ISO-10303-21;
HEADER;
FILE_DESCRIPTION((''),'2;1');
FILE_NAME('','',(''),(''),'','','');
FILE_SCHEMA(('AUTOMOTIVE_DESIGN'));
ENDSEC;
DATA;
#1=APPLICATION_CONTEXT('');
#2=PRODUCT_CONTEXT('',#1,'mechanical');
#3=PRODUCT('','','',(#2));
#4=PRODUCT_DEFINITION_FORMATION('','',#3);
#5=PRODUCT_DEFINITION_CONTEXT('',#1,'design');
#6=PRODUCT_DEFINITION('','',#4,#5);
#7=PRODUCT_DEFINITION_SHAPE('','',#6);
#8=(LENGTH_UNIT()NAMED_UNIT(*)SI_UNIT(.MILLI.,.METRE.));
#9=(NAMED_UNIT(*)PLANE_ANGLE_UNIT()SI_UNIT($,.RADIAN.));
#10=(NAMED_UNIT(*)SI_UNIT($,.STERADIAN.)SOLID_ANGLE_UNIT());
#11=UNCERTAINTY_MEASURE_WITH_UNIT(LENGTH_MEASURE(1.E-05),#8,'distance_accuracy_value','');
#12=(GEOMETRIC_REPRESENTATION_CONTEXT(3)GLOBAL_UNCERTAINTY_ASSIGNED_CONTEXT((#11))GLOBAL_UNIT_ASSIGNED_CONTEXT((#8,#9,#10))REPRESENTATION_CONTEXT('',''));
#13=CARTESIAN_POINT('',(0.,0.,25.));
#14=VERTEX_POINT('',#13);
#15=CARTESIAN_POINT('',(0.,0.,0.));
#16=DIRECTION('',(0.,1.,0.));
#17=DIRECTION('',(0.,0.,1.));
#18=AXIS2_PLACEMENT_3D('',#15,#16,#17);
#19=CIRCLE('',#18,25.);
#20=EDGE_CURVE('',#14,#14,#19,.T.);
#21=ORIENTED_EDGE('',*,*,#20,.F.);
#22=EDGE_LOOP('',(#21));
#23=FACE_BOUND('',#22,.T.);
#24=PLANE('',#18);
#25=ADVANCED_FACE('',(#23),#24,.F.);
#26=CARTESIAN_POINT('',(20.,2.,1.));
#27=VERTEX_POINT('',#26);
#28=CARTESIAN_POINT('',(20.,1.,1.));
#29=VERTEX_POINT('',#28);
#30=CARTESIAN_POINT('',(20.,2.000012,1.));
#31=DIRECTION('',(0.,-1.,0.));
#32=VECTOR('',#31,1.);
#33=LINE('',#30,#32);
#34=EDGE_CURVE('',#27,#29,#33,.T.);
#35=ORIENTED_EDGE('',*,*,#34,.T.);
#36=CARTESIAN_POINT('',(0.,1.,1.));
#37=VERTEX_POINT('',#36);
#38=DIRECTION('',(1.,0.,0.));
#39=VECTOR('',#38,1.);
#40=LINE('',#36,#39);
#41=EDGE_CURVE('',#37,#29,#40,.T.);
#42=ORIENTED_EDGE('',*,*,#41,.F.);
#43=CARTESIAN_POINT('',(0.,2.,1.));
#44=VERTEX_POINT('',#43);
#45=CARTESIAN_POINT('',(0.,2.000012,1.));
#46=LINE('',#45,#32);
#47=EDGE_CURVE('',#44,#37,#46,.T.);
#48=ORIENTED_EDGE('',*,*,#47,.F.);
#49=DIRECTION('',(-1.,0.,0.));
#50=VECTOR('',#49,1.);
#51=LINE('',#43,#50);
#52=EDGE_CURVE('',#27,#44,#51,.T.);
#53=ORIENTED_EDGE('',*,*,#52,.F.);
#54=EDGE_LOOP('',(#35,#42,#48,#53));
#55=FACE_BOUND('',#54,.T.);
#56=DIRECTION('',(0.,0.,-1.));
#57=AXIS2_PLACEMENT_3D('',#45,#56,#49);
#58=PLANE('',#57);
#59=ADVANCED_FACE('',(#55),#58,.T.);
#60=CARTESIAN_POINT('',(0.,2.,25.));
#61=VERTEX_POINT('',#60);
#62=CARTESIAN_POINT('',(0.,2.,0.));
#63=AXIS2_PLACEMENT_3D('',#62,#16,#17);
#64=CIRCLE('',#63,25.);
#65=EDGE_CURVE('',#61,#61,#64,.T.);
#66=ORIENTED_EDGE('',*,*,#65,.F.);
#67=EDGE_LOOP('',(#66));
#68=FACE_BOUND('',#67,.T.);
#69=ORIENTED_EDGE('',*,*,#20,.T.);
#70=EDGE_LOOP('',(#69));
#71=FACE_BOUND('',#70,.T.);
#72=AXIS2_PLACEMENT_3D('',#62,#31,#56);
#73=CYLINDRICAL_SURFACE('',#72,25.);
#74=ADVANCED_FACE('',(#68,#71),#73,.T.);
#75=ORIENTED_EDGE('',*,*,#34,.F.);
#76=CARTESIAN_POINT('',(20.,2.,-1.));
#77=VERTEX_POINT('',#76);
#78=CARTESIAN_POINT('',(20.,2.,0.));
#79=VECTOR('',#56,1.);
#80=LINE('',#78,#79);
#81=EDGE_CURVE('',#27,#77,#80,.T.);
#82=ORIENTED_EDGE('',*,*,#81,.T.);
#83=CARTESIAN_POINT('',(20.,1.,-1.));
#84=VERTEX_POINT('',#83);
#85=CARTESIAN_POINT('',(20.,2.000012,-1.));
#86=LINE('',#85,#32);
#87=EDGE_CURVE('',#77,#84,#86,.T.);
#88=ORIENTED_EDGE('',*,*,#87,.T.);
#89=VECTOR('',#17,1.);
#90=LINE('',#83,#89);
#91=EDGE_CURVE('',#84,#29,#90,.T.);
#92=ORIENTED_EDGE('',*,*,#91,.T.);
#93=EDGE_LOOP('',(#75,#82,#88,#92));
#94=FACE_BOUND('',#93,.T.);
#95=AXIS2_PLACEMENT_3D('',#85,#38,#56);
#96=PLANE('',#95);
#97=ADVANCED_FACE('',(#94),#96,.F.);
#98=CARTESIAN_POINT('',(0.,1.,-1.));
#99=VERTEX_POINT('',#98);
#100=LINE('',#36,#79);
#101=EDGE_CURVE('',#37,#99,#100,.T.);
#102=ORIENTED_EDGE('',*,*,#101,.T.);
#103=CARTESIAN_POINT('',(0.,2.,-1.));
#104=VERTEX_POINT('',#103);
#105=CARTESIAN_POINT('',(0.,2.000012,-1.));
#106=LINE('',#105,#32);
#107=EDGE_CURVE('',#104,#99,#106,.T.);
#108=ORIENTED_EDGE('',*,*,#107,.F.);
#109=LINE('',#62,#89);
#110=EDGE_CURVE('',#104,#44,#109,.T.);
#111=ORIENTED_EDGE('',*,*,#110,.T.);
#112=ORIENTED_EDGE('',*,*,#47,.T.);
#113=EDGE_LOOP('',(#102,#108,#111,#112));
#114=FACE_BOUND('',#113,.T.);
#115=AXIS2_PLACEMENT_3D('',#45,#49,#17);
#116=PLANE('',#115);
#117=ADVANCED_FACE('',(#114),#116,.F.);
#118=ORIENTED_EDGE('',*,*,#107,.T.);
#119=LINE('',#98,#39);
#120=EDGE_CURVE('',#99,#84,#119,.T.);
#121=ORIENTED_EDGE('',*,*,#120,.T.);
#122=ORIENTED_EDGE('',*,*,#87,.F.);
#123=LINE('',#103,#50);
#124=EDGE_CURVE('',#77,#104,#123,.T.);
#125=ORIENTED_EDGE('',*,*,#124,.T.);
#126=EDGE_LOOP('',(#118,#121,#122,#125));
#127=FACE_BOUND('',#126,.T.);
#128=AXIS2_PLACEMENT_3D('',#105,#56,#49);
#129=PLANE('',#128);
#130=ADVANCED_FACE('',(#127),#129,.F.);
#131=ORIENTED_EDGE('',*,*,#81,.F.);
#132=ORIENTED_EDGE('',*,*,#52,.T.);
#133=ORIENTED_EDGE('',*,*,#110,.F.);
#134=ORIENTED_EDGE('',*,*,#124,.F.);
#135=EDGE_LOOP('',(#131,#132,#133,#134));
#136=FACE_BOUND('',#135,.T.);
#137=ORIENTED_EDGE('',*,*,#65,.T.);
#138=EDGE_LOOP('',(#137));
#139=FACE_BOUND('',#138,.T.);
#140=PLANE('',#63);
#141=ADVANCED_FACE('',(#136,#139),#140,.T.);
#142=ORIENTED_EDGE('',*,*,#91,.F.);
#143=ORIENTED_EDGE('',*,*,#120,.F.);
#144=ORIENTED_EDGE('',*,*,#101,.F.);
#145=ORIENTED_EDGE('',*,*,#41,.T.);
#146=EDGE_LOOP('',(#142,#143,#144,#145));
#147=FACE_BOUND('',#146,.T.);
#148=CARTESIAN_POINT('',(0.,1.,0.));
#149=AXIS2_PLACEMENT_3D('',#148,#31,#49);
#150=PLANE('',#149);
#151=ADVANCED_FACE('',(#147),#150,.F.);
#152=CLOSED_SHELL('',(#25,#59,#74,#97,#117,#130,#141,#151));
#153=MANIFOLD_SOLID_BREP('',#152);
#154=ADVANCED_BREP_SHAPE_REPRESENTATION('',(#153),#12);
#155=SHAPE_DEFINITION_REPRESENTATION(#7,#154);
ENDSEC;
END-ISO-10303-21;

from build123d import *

# Parameters (mm, degrees)
SKETCH1_R                    = 25
BOSS_EXTRUDE1_DEPTH          = 2
SKETCH2_W                    = 20
SKETCH2_H                    = 2
CUT_EXTRUDE_THIN1_DEPTH      = 1
CUT_EXTRUDE_THIN1_DEPTH_BACK = 1


with BuildPart() as part:
    # Sketch1 → Boss-Extrude1 (new body)
    with BuildSketch(Plane(origin=(0, 0, 0), x_dir=(1, 0, 0), z_dir=(0, 1, 0))):
        Circle(SKETCH1_R)
    extrude(amount=BOSS_EXTRUDE1_DEPTH)

    # Sketch2 → Cut-Extrude-Thin1 (cut, two sides)
    with BuildSketch(Plane(origin=(0, 2, 0), x_dir=(1, 0, 0), z_dir=(0, 1, 0))) as cut_extrude_thin1_sk:
        with Locations((10, 0)):
            Rectangle(SKETCH2_W, SKETCH2_H)
    extrude(amount=CUT_EXTRUDE_THIN1_DEPTH, mode=Mode.SUBTRACT)
    extrude(cut_extrude_thin1_sk.sketch, amount=-CUT_EXTRUDE_THIN1_DEPTH_BACK, mode=Mode.SUBTRACT)


solid = part.part
